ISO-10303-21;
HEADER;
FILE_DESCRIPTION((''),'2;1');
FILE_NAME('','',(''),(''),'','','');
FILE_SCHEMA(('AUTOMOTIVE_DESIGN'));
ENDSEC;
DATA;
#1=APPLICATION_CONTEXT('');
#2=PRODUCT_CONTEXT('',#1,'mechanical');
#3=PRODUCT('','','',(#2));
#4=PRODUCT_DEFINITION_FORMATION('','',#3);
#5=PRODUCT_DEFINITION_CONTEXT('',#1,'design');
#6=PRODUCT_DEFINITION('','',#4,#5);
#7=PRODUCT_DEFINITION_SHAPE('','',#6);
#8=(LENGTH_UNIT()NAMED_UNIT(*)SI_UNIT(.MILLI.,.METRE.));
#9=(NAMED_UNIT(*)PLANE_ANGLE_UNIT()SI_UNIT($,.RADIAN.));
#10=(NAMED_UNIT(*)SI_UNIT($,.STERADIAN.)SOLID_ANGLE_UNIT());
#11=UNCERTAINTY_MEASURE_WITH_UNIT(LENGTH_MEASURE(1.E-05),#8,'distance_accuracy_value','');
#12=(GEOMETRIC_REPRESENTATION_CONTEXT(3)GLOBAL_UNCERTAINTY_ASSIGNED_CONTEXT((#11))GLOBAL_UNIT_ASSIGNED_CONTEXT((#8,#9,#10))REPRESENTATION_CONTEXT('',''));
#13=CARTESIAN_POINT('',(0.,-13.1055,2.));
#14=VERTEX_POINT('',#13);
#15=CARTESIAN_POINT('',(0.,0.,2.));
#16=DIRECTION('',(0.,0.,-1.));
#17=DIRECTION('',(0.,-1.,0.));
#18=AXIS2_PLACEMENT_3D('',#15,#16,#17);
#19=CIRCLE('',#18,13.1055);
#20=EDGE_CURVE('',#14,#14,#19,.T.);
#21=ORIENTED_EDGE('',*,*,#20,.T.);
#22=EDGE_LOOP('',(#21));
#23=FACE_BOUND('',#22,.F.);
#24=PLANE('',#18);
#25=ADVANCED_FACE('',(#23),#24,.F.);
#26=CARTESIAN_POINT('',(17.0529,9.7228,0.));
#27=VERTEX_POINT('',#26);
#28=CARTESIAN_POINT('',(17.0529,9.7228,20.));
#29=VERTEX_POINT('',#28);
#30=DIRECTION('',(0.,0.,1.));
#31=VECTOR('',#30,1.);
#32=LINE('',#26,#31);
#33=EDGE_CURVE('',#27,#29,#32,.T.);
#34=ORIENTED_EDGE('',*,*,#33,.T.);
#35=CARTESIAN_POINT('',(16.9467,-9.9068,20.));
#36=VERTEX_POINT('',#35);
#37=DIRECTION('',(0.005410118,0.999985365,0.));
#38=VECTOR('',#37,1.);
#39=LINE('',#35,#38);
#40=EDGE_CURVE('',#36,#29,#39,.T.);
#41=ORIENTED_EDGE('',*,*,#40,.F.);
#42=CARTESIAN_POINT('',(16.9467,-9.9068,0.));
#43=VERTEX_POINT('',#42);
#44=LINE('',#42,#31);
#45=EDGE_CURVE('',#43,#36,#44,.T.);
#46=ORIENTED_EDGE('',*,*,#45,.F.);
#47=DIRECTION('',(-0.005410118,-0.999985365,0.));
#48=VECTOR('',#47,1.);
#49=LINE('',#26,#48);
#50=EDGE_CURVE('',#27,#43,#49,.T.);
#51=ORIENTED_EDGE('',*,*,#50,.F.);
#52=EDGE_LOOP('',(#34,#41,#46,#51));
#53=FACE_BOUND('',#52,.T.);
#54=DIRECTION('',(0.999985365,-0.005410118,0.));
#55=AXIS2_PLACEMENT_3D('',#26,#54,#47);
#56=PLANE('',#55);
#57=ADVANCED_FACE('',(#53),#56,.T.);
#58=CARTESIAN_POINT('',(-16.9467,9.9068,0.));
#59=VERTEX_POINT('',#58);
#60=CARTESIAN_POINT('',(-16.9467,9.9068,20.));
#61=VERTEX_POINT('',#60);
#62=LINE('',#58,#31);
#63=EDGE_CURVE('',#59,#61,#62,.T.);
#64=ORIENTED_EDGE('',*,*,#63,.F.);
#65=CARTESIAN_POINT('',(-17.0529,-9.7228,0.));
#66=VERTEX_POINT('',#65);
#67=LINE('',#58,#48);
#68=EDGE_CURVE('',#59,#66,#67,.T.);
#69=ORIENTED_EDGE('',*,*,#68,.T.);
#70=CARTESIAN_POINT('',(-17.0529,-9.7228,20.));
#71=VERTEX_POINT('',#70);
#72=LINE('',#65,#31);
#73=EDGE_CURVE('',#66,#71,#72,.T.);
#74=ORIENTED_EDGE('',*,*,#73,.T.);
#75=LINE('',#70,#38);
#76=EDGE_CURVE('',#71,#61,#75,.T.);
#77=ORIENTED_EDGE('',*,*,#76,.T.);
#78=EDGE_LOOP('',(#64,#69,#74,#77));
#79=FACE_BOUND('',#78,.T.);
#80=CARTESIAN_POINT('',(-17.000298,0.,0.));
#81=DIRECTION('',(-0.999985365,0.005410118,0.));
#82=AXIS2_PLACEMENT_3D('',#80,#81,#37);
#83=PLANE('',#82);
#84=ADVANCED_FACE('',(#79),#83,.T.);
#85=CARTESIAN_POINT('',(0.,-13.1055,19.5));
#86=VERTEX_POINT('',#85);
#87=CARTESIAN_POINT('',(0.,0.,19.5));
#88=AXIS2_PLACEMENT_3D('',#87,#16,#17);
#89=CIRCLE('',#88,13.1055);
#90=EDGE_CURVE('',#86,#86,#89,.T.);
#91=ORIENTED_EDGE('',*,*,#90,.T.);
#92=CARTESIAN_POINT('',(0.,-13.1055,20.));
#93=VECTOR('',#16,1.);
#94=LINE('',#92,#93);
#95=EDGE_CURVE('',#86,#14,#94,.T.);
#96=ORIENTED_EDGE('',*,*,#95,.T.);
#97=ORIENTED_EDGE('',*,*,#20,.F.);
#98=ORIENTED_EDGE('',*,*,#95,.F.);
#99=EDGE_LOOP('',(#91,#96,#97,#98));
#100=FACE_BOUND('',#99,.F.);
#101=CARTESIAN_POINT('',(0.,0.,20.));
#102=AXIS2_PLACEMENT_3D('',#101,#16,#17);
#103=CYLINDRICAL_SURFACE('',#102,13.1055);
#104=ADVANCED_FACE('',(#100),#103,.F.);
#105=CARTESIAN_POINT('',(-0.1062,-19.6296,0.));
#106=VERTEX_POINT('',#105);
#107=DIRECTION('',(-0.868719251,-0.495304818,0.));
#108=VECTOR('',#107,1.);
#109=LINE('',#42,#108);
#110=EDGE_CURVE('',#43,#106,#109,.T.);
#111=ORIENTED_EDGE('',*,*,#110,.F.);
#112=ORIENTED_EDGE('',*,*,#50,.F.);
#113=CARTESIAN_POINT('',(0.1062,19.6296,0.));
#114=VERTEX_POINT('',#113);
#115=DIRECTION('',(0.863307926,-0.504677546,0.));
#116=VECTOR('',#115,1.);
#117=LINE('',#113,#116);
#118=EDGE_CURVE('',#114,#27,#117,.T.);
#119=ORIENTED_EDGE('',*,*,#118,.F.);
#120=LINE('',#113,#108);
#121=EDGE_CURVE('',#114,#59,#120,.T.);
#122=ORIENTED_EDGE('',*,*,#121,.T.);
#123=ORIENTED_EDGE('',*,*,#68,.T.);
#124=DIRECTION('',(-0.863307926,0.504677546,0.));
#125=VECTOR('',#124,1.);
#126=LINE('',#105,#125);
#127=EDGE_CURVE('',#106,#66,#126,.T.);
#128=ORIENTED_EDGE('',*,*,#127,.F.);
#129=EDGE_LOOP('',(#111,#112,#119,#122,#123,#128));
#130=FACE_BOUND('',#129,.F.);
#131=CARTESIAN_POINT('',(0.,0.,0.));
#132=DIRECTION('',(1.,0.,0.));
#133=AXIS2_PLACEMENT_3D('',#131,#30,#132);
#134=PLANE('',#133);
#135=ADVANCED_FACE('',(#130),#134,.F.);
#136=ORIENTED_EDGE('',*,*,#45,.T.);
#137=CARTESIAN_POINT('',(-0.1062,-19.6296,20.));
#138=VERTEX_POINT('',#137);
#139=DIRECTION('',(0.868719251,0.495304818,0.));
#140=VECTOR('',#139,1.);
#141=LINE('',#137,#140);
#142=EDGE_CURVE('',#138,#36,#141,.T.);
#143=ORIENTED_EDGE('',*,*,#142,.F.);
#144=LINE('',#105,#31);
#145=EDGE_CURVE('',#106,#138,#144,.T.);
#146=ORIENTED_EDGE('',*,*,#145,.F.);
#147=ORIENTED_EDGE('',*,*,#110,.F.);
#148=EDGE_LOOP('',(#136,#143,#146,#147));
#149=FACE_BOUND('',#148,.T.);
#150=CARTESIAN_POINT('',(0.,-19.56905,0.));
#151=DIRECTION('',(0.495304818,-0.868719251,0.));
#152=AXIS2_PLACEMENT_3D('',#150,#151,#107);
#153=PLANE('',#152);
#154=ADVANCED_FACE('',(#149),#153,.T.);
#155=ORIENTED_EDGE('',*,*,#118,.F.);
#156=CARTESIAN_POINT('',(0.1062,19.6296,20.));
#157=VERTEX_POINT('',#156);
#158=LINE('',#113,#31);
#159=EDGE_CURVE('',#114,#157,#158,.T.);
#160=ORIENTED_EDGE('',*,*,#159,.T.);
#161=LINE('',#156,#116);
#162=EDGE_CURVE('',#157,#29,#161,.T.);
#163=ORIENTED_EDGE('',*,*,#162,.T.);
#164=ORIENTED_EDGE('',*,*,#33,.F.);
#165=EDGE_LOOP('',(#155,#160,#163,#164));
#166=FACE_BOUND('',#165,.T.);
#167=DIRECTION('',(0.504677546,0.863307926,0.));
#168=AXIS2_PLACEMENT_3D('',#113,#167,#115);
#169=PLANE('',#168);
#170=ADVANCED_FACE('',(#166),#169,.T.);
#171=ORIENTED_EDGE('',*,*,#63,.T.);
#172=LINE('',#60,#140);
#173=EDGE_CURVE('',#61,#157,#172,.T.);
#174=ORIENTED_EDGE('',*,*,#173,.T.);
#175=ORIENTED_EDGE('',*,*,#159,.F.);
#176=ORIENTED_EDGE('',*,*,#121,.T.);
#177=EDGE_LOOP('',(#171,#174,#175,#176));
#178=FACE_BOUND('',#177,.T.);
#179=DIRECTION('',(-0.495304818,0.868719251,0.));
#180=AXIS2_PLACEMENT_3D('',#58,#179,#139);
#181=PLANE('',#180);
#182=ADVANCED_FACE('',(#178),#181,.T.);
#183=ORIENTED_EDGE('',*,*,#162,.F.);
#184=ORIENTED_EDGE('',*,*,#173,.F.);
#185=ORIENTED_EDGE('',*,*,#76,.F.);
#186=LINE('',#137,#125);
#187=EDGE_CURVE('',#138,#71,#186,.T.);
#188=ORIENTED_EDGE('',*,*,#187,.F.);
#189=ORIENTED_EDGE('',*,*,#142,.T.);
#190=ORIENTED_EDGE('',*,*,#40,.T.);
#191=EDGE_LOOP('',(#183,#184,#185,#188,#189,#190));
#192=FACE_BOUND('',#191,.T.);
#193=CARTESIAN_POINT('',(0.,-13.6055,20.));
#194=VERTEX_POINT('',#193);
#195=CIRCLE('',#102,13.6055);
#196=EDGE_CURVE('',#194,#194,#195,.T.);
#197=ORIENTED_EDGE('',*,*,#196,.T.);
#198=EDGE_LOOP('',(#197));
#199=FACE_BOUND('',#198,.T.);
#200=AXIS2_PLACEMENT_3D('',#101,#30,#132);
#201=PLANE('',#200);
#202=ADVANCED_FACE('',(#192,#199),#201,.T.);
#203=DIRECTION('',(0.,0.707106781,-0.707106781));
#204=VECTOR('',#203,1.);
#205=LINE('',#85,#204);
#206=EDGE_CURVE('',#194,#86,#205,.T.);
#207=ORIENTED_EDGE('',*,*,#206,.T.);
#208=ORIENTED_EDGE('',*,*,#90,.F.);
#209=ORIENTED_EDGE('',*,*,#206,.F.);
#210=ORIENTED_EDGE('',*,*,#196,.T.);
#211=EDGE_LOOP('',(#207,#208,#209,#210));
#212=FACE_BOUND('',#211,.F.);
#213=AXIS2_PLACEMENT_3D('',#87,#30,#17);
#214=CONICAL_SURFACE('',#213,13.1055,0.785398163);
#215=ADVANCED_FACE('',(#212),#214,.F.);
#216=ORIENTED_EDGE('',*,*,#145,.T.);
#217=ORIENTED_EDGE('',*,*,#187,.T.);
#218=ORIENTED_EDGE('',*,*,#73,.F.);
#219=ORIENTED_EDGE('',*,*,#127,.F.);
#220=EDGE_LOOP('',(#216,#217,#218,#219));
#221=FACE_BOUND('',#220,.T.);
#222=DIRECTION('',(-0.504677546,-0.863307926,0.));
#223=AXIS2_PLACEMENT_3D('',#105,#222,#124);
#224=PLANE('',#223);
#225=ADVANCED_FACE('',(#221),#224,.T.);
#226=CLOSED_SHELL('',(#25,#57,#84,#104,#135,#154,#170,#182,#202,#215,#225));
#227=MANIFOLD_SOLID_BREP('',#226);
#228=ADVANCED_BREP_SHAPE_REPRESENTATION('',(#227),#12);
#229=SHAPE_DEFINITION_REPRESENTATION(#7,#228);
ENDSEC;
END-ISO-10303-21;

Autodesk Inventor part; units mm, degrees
ref_plane "YZ Plane" through (0, 0, 0) normal (1, 0, 0) x (0, 1, 0)
ref_plane "XZ Plane" through (0, 0, 0) normal (0, 1, 0) x (-1, 0, 0)
ref_plane "XY Plane" through (0, 0, 0) normal (0, 0, 1) x (1, 0, 0)
sketch "Skizze1" plane through (0, 0, 0) normal (0, 0, 1) x (1, 0, 0)
  line L0 (-23.874, 0) -> (23.874, 0) projected
  line L1 (0, -27.4815) -> (0, 27.4815) projected
  line L2 (-16.9467, 9.9068) -> (0.1062, 19.6296)
  line L3 (0.1062, 19.6296) -> (17.0529, 9.7228)
  line L4 (17.0529, 9.7228) -> (16.9467, -9.9068)
  line L5 (16.9467, -9.9068) -> (-0.1062, -19.6296)
  line L6 (-0.1062, -19.6296) -> (-17.0529, -9.7228)
  line L7 (-17.0529, -9.7228) -> (-16.9467, 9.9068)
  circle A0 centre (0, 0) radius 15
  dimension "d0" = 30
  dimension "d1" = 17
extrude "Extrusion1" add sketch "Skizze1" along normal blind 20
sketch "Skizze3" plane through (0, 0, 20) normal (0, 0, 1) x (1, 0, 0)
  point P0 (0, 0)
hole "Bohrung1" at (0, 0, 20) direction (0, 0, -1) diameter 26.211 depth 18 thread size "M30x3.5" class "6H" standard "ISO Metric profile"
chamfer "Fase1" distance 0.5 angle 45 1 edges at (0, 13.1055, 20)
properties part number "VerteilerLuft2"
